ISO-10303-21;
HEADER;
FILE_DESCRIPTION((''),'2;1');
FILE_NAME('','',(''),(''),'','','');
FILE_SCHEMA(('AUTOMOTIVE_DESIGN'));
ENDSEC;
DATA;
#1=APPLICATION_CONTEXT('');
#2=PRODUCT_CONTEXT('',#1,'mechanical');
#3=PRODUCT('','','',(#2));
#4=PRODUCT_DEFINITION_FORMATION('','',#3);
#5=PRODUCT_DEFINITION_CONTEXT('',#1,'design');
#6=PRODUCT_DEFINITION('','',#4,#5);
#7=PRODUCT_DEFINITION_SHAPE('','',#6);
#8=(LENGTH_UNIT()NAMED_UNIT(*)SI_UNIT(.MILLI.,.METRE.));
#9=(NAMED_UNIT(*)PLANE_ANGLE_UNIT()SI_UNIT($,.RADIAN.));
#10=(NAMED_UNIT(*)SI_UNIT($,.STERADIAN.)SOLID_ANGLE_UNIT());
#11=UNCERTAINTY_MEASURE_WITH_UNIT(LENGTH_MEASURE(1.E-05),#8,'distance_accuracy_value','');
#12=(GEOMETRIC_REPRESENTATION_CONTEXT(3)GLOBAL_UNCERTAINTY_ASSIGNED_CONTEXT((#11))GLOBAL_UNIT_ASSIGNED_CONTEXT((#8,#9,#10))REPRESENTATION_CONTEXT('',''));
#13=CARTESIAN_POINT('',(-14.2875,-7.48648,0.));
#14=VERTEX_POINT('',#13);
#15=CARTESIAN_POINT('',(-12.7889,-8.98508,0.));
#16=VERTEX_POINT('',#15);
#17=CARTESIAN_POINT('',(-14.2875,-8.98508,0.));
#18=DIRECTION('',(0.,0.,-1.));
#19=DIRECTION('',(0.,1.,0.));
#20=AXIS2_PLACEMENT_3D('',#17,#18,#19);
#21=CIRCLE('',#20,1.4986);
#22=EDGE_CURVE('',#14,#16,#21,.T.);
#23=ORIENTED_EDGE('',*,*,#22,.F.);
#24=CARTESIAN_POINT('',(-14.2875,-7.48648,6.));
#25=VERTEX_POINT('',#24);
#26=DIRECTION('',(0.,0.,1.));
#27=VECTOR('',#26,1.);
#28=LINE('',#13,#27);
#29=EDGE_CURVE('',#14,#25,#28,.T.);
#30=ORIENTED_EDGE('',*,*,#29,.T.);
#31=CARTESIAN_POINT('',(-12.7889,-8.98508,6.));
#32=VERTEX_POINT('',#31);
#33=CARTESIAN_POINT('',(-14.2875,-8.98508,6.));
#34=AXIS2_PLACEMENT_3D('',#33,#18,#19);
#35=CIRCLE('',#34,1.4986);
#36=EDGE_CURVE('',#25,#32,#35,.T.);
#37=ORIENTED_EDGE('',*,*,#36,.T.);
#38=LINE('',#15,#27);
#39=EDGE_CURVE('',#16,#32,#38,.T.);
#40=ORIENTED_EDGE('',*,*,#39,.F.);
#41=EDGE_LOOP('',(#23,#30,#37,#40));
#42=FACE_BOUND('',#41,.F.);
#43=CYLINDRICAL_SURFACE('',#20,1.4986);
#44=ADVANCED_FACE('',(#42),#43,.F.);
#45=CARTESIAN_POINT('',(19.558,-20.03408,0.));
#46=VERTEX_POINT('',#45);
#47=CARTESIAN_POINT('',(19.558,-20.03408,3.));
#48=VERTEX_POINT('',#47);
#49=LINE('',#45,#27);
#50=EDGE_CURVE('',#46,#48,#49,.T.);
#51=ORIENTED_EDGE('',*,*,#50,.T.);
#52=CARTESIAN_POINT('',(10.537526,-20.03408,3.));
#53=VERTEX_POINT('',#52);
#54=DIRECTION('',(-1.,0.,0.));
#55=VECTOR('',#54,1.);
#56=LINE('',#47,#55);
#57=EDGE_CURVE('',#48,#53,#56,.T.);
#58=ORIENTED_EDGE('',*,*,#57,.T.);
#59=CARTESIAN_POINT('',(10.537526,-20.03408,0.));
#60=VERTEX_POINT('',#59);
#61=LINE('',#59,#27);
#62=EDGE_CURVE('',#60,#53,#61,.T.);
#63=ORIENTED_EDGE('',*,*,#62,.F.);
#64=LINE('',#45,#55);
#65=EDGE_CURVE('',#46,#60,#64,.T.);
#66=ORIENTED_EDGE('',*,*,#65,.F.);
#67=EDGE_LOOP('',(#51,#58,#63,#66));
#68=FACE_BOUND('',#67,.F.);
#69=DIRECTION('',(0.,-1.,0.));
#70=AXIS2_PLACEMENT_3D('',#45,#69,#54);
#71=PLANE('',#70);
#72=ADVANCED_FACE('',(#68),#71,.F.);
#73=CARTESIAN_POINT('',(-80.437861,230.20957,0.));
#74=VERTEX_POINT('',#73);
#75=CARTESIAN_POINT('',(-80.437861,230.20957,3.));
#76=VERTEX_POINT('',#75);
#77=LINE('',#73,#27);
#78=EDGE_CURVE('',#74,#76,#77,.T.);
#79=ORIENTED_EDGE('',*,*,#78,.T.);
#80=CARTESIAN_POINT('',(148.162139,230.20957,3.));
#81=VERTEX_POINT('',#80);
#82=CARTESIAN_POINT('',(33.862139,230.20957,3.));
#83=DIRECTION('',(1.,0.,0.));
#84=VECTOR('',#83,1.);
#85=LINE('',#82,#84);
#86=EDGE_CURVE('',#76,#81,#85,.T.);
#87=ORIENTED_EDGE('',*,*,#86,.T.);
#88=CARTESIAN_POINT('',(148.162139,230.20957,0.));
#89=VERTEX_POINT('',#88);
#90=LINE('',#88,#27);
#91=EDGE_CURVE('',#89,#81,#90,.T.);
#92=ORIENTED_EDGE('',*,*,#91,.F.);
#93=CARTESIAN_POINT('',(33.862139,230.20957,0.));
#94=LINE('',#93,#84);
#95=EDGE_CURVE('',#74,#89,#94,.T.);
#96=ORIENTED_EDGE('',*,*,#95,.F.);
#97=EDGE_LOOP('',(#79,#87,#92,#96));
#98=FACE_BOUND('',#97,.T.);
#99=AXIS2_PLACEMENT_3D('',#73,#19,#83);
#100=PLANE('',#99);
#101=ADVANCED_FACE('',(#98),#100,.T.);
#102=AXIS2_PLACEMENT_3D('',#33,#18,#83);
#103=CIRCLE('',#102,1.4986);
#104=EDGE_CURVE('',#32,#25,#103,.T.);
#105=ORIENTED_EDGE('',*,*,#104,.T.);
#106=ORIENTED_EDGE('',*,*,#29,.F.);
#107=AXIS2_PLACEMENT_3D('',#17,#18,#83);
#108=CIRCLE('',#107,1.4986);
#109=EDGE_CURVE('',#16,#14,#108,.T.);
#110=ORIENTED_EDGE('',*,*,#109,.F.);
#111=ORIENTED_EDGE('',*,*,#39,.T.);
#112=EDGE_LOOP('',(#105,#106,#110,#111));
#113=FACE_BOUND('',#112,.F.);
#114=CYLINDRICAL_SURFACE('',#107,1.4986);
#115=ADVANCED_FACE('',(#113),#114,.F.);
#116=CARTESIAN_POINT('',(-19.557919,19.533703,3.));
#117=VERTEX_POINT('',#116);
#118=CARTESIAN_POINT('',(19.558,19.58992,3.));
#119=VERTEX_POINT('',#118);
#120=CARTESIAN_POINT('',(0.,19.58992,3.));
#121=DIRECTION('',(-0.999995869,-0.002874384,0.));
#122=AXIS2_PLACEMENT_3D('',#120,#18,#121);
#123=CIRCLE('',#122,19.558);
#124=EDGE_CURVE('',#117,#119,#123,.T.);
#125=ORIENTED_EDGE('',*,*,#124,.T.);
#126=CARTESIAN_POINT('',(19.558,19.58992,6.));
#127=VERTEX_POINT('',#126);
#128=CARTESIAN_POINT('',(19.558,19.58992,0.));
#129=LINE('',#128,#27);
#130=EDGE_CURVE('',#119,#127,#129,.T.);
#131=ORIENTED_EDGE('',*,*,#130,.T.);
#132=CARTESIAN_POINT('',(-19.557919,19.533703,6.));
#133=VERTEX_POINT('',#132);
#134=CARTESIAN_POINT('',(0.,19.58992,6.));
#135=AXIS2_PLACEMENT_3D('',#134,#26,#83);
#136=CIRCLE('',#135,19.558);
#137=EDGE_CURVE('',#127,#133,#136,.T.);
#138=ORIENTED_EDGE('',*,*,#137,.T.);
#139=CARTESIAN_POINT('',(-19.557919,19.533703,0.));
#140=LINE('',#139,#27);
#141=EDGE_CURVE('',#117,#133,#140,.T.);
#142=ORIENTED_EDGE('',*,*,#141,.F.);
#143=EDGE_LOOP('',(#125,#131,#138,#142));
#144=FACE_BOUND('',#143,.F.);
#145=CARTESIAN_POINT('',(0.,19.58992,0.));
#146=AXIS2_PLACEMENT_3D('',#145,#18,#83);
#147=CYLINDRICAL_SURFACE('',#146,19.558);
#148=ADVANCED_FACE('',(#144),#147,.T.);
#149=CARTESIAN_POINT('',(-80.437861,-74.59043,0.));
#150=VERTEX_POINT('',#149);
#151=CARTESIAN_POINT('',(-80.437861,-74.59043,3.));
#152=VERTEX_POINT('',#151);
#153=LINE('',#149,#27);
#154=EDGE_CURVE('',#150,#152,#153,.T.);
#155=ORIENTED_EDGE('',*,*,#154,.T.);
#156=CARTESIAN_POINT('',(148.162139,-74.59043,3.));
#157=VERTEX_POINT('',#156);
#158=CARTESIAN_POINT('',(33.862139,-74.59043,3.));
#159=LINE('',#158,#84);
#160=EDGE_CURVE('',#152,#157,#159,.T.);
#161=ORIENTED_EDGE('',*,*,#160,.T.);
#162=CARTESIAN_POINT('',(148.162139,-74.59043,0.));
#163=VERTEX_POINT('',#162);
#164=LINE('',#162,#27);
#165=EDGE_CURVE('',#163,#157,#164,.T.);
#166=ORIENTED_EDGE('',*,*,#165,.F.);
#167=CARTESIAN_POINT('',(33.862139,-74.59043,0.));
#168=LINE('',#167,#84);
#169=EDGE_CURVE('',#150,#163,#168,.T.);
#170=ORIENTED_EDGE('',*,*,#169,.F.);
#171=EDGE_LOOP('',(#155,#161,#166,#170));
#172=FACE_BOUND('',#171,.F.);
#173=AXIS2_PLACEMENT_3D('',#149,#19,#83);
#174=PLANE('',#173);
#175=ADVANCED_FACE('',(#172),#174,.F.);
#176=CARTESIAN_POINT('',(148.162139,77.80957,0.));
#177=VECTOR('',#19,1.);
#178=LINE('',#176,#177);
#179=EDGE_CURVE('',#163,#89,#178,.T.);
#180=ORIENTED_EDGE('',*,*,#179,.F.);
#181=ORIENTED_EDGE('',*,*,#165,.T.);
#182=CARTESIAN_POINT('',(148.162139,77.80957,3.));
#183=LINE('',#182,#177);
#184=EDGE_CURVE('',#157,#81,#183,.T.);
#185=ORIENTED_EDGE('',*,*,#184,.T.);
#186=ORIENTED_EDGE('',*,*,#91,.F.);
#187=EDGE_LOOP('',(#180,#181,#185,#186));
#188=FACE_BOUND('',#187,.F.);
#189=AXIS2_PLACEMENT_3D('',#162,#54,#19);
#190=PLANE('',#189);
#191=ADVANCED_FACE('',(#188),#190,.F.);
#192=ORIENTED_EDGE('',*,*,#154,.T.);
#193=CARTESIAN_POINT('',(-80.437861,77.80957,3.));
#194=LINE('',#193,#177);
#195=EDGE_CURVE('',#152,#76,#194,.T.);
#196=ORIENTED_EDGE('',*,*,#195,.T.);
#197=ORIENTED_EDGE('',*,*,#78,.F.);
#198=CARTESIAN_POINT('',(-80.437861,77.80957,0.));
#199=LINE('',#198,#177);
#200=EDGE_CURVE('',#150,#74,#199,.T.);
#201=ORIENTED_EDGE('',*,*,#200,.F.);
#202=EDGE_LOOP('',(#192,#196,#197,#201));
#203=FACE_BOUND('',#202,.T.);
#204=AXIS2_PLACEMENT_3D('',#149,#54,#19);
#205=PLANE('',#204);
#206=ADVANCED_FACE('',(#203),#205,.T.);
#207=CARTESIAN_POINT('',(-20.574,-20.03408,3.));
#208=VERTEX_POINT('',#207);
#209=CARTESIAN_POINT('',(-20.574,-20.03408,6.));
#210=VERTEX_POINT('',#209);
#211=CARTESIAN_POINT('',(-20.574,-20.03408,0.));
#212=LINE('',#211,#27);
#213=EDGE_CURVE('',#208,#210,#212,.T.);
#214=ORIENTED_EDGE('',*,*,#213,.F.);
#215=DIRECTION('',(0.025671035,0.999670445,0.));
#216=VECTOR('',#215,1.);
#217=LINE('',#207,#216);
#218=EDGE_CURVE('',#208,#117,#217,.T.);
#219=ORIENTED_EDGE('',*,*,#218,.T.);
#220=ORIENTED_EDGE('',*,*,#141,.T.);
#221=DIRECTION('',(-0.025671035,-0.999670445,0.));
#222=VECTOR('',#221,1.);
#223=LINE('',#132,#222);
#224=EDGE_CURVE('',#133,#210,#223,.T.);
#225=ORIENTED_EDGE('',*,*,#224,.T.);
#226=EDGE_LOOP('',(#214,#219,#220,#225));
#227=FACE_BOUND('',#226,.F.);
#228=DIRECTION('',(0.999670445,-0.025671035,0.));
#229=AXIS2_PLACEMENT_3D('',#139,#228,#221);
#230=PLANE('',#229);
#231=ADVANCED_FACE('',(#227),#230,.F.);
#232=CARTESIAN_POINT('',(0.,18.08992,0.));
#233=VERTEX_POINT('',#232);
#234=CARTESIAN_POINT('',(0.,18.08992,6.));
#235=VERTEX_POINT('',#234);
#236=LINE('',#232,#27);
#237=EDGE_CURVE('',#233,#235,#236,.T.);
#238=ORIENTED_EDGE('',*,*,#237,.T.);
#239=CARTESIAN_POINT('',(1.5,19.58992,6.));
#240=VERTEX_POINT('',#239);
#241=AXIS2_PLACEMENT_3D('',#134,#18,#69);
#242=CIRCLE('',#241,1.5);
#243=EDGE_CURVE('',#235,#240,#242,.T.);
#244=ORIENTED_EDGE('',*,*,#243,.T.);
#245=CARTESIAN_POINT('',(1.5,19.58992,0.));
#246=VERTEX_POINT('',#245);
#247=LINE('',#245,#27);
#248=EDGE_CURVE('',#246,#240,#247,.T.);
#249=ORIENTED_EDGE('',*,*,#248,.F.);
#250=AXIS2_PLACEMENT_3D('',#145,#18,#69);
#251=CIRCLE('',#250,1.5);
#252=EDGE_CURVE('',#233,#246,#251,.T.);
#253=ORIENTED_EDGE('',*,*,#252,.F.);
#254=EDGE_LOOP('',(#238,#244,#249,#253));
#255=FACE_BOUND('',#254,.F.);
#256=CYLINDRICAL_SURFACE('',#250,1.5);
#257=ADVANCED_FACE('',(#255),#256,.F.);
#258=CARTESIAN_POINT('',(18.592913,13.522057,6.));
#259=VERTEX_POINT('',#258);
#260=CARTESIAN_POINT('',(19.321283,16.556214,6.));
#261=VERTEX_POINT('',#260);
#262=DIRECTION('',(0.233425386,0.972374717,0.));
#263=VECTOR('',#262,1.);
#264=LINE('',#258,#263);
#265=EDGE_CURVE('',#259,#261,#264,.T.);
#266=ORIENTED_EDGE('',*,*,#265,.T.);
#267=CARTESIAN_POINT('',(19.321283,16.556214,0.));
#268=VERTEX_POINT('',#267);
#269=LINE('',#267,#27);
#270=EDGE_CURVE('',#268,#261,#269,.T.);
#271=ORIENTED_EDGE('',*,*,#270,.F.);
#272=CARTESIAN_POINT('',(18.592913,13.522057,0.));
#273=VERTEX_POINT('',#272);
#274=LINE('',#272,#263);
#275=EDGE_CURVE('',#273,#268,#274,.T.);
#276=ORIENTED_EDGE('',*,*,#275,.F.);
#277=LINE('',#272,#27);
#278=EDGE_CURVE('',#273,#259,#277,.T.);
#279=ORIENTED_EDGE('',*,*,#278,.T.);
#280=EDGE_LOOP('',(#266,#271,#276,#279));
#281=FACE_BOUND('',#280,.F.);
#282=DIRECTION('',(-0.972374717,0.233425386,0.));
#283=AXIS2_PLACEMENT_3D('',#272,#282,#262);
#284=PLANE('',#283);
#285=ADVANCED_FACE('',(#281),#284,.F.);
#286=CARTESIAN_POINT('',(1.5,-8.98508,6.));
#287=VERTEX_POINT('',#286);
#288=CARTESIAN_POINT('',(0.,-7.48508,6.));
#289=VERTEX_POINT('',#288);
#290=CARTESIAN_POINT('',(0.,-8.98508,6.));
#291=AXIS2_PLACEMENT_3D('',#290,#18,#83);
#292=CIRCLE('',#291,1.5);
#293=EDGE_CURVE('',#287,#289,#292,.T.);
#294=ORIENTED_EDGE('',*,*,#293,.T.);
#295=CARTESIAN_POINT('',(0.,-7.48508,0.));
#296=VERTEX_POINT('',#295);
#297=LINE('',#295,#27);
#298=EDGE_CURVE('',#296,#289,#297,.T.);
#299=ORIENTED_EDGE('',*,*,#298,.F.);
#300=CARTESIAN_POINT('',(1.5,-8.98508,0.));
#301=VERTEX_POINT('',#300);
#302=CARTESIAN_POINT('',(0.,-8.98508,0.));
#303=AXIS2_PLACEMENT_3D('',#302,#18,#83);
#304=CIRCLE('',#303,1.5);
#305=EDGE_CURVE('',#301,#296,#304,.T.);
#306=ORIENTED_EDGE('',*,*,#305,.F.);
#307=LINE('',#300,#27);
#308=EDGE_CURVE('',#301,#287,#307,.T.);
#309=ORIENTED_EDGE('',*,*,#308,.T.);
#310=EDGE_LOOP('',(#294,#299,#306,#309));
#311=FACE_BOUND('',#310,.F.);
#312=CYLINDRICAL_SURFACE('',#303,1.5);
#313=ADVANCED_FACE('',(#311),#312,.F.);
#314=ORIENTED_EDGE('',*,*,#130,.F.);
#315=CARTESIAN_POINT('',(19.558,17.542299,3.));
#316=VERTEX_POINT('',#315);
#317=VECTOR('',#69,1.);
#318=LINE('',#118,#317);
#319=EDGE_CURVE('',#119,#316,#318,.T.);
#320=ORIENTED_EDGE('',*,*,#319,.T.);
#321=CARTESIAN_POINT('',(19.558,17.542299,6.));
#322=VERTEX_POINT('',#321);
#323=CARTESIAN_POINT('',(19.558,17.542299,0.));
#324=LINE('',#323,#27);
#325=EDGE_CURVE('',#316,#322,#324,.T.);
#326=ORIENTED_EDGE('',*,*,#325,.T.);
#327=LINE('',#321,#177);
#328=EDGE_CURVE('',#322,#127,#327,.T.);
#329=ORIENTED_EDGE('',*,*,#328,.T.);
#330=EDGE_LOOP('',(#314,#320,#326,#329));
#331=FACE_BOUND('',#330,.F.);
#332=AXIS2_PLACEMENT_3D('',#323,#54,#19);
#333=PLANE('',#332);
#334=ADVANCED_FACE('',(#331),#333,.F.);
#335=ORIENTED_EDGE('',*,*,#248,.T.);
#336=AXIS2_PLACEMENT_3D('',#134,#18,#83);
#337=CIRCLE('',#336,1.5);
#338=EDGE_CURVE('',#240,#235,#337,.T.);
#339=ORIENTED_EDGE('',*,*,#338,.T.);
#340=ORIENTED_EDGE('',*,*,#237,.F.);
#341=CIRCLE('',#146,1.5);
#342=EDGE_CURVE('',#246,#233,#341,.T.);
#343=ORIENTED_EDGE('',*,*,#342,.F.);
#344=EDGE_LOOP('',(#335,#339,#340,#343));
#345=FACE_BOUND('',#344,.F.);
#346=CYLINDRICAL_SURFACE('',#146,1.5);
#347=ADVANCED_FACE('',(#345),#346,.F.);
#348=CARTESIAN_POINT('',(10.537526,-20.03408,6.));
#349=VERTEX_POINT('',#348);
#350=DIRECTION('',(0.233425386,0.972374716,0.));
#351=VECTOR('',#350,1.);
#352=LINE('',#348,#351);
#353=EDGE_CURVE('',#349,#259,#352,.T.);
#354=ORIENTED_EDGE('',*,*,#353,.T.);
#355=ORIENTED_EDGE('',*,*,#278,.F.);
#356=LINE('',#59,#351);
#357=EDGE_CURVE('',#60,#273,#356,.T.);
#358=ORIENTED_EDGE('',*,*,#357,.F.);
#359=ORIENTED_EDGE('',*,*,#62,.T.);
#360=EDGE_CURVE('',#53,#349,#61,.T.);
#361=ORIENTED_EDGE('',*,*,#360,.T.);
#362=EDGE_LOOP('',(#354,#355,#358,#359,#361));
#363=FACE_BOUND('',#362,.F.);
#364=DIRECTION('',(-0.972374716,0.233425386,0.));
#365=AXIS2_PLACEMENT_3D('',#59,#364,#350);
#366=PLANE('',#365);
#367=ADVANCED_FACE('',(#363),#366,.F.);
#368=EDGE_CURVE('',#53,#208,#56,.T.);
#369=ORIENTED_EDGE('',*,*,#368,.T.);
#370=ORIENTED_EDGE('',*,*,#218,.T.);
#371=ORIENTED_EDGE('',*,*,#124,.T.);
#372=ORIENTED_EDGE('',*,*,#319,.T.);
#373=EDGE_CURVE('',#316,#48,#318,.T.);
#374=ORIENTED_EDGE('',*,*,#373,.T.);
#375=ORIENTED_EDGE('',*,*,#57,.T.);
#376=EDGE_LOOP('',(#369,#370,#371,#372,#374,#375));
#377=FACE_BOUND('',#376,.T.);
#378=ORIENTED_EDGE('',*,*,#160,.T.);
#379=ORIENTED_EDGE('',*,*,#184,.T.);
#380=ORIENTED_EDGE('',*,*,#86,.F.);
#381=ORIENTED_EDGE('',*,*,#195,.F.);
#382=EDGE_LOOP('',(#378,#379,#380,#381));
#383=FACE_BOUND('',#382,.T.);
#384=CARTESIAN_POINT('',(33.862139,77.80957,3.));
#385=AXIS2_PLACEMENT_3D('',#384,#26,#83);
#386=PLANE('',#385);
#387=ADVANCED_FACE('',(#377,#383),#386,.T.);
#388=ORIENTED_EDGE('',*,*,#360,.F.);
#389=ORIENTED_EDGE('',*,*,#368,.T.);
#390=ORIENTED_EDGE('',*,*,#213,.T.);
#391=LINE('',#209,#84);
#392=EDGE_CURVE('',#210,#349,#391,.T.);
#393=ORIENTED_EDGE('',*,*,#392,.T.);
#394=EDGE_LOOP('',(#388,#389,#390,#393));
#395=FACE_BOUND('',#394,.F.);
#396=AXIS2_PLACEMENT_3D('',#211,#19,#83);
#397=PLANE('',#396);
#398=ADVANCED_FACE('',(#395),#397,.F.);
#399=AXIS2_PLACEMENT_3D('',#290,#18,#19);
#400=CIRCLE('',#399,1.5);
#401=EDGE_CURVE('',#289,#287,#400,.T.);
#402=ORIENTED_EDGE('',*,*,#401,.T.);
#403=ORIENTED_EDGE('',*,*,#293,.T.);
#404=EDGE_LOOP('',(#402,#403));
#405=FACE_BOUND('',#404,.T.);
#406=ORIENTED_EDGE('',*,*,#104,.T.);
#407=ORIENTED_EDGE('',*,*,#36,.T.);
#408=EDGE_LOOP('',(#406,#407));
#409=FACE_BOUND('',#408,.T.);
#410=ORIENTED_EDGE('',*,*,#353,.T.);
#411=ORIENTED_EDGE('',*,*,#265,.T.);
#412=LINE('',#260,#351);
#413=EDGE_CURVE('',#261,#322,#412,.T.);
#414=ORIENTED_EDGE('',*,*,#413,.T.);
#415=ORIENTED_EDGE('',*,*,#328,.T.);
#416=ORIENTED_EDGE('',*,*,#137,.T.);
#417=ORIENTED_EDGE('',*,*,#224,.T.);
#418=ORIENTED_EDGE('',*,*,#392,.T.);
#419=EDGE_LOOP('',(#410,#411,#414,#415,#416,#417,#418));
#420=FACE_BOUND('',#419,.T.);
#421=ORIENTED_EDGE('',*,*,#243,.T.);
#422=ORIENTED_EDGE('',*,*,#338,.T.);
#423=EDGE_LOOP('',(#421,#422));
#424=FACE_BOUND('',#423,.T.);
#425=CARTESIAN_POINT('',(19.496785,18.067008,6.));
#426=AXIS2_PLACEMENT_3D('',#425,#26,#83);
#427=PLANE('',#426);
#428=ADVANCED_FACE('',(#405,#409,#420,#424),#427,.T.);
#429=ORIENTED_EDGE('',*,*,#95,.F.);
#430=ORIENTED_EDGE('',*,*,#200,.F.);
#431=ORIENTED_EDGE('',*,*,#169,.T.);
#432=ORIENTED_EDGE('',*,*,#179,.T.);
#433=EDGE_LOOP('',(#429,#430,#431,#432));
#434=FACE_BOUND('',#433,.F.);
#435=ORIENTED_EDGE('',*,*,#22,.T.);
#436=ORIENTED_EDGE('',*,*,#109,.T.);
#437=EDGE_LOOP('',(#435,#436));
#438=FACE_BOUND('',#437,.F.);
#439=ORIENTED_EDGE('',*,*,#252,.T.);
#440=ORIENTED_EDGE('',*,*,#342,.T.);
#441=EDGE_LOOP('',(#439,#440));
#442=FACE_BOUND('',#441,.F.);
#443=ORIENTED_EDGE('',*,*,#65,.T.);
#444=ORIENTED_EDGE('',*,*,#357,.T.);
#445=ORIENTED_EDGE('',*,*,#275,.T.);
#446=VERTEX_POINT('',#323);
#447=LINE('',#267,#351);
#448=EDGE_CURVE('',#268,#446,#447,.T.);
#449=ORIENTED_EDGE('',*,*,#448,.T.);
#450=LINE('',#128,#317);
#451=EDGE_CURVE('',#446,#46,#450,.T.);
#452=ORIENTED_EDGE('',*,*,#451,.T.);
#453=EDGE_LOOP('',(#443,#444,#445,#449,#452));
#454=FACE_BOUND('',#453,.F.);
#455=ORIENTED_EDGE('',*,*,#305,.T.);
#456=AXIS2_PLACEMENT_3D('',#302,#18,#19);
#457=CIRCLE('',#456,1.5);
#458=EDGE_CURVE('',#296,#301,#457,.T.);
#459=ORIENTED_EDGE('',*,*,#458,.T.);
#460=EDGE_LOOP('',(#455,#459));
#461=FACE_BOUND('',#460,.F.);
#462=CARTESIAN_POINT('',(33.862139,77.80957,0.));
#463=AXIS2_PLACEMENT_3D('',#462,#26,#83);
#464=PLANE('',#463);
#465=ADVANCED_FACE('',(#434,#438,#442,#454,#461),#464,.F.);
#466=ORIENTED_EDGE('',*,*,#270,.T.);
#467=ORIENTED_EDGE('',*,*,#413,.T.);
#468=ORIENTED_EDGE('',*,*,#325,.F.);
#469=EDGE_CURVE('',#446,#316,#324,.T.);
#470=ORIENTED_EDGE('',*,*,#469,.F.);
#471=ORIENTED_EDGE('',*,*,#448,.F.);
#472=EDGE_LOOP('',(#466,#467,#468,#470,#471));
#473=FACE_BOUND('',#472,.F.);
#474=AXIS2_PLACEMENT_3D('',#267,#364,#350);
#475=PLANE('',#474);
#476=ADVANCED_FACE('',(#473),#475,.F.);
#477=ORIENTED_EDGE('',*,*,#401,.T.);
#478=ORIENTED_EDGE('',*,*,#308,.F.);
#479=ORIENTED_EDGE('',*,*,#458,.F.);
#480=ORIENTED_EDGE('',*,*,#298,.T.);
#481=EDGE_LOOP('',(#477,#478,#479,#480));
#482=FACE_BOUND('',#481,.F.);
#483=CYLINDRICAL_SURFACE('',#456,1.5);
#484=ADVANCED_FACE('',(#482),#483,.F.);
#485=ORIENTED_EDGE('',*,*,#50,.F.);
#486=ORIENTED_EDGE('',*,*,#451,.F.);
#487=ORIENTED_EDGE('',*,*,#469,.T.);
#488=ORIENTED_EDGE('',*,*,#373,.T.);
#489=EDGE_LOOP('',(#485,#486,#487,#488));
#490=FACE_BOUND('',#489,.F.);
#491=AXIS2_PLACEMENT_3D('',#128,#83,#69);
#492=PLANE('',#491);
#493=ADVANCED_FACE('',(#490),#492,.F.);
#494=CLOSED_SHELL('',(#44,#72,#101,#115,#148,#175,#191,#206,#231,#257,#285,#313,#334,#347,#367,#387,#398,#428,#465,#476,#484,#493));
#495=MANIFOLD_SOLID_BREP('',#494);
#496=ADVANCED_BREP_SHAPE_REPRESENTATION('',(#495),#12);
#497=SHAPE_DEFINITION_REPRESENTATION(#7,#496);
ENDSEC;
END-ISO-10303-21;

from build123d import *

# Parameters (mm, degrees)
F1_DEPTH = 6
F0_W     = 228.6
F0_H     = 304.8
F2_DEPTH = 3


with BuildPart() as f1:
    # F0 (on Top) → F1 (new body)
    with BuildSketch(Plane.XY):
        with BuildLine():
            Line((19.558, 17.5422988832), (19.558, 19.5899201751))
            ThreePointArc((19.558, 19.5899201751), (19.4987310228, 18.0684562421), (19.3212833112, 16.5562136621))
            Line((19.3212833112, 16.5562136621), (19.558, 17.5422988832))
        make_face()
        with BuildLine():
            Line((1.5, 19.5899201751), (19.558, 19.5899201751))
            ThreePointArc((19.558, 19.5899201751), (-0.0281086289, 39.1478999763), (-19.5579192049, 19.5337029753))
            ThreePointArc((-19.5579192049, 19.5337029753), (-13.8097043416, 5.7404642292), (0, 0.0319201751))
            Line((0, 0.0319201751), (0, 18.0899201751))
            ThreePointArc((0, 18.0899201751), (-1.0606601718, 20.6505803469), (1.5, 19.5899201751))
        make_face()
        with BuildLine():
            ThreePointArc((0, 0.0319201751), (-13.8097043416, 5.7404642292), (-19.5579192049, 19.5337029753))
            Line((-19.5579192049, 19.5337029753), (-20.574, -20.0340798249))
            Line((-20.574, -20.0340798249), (10.5375261573, -20.0340798249))
            Line((10.5375261573, -20.0340798249), (18.5929127749, 13.5220574091))
            ThreePointArc((18.5929127749, 13.5220574091), (11.4856454765, 3.7597176499), (0, 0.0319201751))
        make_face()
        with BuildLine():
            ThreePointArc((-12.7889, -8.9850798249), (-15.3471702223, -10.0447500472), (-14.2875, -7.4864798249))
            ThreePointArc((-14.2875, -7.4864798249), (-13.2278297777, -7.9254096026), (-12.7889, -8.9850798249))
        make_face(mode=Mode.SUBTRACT)
        with BuildLine():
            ThreePointArc((1.5, -8.9850798249), (-1.0606601718, -10.0457399967), (0, -7.4850798249))
            ThreePointArc((0, -7.4850798249), (1.0606601718, -7.9244196531), (1.5, -8.9850798249))
        make_face(mode=Mode.SUBTRACT)
        with BuildLine():
            ThreePointArc((19.3212833112, 16.5562136621), (19.4987310228, 18.0684562421), (19.558, 19.5899201751))
            Line((19.558, 19.5899201751), (1.5, 19.5899201751))
            ThreePointArc((1.5, 19.5899201751), (1.0606601718, 18.5292600033), (0, 18.0899201751))
            Line((0, 18.0899201751), (0, 0.0319201751))
            ThreePointArc((0, 0.0319201751), (11.4856454765, 3.7597176499), (18.5929127749, 13.5220574091))
            Line((18.5929127749, 13.5220574091), (19.3212833112, 16.5562136621))
        make_face()
    extrude(amount=F1_DEPTH)

    # F0 (on Top) → F2 (join)
    with BuildSketch(Plane.XY):
        with Locations((33.862138617, 77.8095703363)):
            Rectangle(F0_W, F0_H)
        with BuildLine():
            ThreePointArc((-19.5579192049, 19.5337029753), (-0.0281086289, 39.1478999763), (19.558, 19.5899201751))
            Line((19.558, 19.5899201751), (19.558, 17.5422988832))
            Line((19.558, 17.5422988832), (19.558, -20.0340798249))
            Line((19.558, -20.0340798249), (10.5375261573, -20.0340798249))
            Line((10.5375261573, -20.0340798249), (-20.574, -20.0340798249))
            Line((-20.574, -20.0340798249), (-19.5579192049, 19.5337029753))
        make_face(mode=Mode.SUBTRACT)
    extrude(amount=F2_DEPTH)


solid = f1.part
